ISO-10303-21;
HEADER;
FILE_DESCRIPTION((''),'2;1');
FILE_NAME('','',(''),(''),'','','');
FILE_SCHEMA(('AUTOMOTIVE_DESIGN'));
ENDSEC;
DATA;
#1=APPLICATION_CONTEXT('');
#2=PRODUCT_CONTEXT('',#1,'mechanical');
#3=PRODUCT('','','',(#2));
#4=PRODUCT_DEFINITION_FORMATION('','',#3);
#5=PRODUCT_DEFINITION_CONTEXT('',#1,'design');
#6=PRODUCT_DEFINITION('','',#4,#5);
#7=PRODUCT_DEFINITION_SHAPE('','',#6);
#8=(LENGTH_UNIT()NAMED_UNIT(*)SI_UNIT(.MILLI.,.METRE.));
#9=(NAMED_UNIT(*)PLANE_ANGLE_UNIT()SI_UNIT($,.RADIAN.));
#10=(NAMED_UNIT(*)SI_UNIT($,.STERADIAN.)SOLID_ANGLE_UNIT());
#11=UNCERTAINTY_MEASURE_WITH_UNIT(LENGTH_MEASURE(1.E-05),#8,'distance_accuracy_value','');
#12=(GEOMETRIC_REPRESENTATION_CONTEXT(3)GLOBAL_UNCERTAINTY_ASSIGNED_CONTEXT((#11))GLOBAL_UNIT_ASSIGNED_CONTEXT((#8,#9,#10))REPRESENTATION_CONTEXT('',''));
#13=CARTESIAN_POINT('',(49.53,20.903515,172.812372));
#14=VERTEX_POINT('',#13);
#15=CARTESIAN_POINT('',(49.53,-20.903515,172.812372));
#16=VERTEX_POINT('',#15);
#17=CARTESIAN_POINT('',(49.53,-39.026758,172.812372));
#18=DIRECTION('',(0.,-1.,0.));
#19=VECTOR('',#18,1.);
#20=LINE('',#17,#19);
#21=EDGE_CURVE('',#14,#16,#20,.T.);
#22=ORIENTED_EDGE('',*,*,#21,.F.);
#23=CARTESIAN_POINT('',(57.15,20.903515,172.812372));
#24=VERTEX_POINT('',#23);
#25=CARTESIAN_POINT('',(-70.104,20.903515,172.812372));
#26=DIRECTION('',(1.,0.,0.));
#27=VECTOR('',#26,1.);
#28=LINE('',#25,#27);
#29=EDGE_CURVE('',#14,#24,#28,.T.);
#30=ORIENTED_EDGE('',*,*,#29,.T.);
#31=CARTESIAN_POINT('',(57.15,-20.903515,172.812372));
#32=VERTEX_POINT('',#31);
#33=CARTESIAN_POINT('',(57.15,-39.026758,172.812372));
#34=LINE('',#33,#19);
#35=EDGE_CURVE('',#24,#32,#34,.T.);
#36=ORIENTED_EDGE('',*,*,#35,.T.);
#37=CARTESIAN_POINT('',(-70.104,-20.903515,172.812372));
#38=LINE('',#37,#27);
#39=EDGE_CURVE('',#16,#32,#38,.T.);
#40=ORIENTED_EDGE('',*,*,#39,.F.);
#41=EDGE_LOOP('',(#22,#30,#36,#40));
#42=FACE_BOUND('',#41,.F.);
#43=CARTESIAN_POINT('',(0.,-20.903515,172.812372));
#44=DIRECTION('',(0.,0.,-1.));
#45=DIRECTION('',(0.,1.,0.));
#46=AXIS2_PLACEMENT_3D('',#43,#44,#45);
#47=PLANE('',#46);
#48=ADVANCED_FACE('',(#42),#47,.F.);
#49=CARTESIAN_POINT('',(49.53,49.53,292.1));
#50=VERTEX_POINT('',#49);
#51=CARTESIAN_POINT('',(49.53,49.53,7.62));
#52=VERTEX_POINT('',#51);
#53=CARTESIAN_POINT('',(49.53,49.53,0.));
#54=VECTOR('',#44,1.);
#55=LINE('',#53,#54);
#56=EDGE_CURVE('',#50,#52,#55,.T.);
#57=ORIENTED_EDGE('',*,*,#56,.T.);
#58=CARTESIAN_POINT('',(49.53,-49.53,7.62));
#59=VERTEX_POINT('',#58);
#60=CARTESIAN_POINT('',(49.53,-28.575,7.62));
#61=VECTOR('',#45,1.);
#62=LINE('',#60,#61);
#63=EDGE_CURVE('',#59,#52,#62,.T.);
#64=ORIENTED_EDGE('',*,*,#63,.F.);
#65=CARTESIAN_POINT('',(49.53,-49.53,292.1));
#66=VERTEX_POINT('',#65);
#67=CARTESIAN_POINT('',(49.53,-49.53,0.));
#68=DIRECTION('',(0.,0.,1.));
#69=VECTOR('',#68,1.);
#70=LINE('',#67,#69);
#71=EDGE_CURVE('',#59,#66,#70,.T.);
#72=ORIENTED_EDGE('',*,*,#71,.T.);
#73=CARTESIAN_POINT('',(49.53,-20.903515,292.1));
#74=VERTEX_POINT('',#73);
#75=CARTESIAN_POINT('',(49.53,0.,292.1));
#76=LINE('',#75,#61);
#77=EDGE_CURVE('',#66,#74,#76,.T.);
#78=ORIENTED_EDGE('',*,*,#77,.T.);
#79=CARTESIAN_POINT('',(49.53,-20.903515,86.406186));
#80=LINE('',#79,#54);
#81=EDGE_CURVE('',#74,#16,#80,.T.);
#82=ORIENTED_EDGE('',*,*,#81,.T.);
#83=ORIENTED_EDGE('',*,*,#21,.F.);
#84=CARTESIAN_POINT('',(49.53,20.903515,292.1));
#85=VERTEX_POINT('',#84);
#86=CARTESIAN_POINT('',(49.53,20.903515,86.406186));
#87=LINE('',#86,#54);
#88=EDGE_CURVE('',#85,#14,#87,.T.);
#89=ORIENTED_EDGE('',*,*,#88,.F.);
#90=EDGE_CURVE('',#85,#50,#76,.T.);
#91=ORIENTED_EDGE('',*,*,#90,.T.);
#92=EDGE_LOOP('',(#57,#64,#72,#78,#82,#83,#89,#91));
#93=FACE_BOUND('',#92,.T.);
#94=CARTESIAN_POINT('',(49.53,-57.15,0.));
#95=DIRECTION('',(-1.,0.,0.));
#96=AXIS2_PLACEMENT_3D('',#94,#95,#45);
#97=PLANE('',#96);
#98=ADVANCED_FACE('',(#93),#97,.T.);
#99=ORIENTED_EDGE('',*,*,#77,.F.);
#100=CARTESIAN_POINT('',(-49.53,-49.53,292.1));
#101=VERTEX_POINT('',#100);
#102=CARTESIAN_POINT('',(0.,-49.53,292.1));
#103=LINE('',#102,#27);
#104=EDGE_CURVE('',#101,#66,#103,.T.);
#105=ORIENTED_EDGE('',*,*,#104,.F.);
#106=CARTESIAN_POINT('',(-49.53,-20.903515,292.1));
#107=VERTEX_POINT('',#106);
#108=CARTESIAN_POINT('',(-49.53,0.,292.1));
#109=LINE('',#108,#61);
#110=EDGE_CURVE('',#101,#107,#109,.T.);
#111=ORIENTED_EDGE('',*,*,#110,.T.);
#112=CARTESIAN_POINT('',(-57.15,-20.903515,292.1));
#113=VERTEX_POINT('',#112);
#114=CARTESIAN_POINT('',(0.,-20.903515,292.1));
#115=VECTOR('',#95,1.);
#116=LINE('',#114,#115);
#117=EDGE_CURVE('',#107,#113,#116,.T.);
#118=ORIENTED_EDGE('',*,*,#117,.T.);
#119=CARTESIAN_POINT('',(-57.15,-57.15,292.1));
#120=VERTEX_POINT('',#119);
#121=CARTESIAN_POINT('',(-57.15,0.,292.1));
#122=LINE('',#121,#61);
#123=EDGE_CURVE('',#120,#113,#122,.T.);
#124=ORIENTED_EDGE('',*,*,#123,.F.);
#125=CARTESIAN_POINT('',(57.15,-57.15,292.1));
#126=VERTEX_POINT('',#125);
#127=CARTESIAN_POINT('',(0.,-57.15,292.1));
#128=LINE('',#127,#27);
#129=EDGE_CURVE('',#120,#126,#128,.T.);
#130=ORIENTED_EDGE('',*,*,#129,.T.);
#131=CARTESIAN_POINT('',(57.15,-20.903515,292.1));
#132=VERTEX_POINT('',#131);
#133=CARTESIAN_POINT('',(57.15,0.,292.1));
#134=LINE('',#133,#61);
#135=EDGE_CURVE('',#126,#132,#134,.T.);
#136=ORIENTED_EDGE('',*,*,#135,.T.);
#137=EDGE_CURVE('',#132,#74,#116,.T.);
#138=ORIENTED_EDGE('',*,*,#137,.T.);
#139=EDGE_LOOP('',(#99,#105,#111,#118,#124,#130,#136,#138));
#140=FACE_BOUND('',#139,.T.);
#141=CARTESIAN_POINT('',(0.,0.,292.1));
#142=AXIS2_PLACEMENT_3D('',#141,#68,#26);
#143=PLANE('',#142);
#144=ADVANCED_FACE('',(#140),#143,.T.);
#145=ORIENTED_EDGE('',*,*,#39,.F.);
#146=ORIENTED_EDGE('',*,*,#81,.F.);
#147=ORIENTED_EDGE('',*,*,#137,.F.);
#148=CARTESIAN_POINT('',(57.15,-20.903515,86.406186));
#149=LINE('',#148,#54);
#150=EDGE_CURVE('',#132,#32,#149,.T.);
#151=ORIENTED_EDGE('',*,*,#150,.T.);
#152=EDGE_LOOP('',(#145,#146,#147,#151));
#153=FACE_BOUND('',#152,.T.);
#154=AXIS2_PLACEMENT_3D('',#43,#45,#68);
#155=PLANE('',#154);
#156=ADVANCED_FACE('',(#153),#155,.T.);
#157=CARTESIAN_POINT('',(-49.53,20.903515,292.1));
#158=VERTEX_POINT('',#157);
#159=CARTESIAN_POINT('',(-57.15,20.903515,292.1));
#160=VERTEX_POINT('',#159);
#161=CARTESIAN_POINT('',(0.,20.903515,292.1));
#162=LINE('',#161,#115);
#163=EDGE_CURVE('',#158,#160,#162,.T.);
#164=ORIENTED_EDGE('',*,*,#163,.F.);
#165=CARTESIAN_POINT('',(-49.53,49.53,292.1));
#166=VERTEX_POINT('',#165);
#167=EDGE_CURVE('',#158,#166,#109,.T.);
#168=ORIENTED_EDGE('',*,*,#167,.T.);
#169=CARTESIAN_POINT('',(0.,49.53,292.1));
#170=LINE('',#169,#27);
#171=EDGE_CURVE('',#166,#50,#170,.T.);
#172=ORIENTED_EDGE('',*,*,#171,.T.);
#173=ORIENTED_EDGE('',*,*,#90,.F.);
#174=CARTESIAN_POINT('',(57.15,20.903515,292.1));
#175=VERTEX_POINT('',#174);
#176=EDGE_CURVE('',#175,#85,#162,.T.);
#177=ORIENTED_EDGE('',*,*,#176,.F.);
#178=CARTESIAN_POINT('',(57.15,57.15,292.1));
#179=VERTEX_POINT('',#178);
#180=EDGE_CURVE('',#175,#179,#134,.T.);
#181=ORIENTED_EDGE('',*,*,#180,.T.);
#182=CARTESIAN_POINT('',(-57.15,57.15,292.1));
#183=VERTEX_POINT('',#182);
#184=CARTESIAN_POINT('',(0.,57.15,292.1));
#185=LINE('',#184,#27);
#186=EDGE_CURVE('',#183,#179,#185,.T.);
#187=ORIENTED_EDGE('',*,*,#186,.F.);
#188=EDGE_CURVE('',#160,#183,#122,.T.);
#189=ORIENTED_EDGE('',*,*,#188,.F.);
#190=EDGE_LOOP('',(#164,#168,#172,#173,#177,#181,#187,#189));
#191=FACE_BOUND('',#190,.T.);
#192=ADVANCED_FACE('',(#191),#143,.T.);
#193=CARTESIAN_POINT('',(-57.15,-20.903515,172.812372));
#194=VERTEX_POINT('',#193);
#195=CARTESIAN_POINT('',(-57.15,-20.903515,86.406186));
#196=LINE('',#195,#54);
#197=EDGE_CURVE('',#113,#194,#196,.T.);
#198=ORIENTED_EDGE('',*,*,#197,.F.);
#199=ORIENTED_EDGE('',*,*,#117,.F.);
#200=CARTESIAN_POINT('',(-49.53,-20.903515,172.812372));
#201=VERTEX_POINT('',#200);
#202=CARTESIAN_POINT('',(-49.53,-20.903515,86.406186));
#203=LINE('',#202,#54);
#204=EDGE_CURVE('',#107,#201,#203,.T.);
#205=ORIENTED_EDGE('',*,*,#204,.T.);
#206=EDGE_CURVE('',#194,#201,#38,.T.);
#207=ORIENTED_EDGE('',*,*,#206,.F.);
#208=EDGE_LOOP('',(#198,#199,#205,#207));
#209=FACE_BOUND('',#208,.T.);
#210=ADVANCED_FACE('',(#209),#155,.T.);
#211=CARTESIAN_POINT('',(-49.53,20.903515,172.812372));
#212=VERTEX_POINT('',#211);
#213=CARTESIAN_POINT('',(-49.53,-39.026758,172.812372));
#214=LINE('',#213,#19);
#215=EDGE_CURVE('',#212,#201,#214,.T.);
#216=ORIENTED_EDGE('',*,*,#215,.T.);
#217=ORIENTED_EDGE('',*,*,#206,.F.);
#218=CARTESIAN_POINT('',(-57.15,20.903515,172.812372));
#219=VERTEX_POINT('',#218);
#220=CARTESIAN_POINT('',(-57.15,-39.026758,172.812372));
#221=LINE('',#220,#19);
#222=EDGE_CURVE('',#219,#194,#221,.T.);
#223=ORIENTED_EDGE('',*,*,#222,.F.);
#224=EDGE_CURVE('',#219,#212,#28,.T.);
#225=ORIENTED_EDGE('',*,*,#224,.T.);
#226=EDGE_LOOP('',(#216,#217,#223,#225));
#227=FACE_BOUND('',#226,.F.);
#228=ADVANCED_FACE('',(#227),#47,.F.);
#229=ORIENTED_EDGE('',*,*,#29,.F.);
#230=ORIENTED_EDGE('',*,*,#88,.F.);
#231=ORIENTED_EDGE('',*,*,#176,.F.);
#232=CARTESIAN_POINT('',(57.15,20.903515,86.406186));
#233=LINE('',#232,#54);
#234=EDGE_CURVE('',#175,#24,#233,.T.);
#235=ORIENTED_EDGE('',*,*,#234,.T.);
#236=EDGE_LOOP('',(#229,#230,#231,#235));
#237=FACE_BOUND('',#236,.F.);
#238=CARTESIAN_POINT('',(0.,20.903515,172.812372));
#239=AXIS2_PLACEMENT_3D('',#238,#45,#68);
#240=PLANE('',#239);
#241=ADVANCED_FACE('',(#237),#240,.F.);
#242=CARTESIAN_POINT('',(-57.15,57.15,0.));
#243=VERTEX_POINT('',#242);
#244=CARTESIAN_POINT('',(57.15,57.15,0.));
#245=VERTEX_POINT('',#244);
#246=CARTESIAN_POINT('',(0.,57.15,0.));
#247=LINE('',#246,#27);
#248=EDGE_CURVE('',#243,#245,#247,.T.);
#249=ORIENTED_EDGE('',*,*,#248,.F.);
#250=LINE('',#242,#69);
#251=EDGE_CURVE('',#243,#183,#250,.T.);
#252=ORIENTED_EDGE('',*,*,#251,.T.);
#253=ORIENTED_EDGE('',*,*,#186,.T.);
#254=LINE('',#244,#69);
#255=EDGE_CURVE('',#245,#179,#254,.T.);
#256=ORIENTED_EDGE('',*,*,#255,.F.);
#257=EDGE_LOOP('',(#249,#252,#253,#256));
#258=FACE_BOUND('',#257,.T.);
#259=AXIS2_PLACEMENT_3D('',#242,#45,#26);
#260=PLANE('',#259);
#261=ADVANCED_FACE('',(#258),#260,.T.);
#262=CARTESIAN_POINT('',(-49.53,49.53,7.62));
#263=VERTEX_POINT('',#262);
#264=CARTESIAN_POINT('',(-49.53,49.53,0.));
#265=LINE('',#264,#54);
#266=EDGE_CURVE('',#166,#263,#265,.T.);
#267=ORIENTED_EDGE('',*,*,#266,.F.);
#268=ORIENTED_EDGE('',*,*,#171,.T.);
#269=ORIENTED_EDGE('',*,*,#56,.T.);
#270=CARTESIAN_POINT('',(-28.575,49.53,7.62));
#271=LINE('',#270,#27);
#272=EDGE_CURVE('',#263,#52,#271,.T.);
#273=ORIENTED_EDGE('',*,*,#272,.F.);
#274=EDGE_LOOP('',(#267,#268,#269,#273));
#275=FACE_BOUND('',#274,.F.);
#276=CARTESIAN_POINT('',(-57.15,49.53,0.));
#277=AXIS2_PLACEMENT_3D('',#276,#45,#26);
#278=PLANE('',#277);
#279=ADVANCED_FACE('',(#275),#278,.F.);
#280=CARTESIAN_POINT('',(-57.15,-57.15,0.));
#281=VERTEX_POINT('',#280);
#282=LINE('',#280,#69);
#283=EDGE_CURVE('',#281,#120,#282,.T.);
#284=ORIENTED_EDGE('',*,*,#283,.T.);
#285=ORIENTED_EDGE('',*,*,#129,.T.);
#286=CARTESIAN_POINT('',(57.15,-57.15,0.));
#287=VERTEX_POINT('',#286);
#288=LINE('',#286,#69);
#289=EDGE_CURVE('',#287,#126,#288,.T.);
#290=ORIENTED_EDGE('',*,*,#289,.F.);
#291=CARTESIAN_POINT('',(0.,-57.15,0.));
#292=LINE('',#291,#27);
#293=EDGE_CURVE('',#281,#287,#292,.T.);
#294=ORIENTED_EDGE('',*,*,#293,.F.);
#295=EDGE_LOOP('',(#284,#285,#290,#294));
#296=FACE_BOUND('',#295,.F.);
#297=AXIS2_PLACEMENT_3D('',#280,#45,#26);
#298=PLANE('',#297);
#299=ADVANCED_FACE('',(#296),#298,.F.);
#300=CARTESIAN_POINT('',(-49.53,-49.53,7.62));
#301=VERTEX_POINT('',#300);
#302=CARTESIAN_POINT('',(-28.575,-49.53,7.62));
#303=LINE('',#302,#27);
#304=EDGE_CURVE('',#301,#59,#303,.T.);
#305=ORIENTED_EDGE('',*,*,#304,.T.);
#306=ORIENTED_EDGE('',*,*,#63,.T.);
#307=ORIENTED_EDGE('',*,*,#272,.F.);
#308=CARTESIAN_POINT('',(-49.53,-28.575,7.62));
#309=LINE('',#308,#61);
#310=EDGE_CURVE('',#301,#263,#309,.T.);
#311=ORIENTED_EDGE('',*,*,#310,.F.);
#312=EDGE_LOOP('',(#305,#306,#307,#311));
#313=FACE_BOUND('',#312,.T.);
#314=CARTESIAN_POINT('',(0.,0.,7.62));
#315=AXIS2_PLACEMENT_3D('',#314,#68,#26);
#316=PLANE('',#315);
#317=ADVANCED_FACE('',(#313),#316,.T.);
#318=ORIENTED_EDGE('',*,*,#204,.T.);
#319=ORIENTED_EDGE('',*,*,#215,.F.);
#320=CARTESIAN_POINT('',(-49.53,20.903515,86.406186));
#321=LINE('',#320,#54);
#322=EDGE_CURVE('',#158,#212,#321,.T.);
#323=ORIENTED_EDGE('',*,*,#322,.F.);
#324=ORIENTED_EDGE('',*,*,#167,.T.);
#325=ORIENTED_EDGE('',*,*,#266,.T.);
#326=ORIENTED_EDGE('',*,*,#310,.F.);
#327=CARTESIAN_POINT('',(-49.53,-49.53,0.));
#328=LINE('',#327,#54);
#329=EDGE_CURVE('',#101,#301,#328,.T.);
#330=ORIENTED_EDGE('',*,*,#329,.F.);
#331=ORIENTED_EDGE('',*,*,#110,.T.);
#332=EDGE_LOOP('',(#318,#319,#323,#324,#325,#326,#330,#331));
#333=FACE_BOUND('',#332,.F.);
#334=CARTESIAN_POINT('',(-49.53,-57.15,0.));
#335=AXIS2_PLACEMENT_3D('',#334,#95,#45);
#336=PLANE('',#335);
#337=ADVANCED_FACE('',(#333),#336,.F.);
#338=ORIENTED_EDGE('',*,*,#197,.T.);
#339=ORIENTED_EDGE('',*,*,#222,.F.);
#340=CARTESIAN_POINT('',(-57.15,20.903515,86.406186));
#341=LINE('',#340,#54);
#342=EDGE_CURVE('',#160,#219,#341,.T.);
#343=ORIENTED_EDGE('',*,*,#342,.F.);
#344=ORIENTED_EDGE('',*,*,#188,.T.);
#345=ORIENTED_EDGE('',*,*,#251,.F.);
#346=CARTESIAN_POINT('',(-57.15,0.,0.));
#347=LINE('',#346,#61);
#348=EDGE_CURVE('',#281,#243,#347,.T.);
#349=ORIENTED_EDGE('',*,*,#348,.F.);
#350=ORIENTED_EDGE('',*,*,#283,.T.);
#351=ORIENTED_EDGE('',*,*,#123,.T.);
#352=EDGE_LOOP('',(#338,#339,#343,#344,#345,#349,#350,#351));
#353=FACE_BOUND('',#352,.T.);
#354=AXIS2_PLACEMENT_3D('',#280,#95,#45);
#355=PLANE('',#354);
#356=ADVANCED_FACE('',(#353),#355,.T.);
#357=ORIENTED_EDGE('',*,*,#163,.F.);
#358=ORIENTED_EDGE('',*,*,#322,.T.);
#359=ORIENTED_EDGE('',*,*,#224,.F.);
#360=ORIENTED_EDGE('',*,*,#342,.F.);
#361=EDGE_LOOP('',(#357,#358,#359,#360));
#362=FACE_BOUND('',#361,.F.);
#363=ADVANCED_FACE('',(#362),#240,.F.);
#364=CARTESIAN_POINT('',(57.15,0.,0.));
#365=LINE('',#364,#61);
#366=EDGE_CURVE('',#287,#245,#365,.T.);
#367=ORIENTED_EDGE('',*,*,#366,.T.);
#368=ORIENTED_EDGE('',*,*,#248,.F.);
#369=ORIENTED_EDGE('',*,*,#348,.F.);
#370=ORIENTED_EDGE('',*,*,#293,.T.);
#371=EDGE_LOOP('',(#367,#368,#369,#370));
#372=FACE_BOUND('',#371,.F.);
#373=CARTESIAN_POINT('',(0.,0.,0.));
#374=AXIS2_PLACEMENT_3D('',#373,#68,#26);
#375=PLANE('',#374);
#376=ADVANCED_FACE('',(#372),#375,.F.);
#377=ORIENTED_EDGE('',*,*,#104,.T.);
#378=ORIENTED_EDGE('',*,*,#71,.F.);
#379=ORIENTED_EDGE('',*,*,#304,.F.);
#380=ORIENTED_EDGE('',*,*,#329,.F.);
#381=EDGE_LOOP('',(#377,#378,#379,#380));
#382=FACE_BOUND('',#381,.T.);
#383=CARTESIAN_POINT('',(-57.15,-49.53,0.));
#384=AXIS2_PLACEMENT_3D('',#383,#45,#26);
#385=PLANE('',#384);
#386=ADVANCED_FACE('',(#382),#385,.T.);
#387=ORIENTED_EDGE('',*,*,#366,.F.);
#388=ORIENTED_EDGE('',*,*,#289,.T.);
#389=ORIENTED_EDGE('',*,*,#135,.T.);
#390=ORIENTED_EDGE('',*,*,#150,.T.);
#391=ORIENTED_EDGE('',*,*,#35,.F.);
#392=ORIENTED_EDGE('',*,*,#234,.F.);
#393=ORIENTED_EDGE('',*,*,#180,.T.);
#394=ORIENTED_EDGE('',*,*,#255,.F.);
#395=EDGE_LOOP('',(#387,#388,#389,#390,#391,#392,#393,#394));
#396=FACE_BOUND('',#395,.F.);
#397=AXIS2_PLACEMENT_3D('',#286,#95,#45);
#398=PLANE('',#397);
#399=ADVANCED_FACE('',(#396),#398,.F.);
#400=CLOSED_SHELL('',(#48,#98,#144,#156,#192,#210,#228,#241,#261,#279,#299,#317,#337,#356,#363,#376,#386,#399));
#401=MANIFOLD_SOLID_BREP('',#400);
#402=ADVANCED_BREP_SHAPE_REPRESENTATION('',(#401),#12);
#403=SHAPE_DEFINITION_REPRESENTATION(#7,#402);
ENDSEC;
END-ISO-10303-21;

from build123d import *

# Parameters (mm, degrees)
F0_W     = 114.3
F0_H     = 114.3
F1_DEPTH = 292.1
F2_T     = -7.62
F3_W     = 41.80703
F3_H     = 120.581752
F4_DEPTH = 70.104


with BuildPart() as f1:
    # F0 (on Top) → F1 (new body)
    with BuildSketch(Plane.XY):
        Rectangle(F0_W, F0_H)
    extrude(amount=F1_DEPTH)

    # F2
    f2_openings = [f1.faces().sort_by_distance(p)[0] for p in [
        (0, 0, 292.1),
    ]]
    offset(amount=F2_T, openings=f2_openings)

    # F3 (on Right) → F4 (cut, symmetric)
    with BuildSketch(Plane.YZ):
        with Locations((0, 233.103248)):
            Rectangle(F3_W, F3_H)
    extrude(amount=F4_DEPTH, both=True, mode=Mode.SUBTRACT)


solid = f1.part
